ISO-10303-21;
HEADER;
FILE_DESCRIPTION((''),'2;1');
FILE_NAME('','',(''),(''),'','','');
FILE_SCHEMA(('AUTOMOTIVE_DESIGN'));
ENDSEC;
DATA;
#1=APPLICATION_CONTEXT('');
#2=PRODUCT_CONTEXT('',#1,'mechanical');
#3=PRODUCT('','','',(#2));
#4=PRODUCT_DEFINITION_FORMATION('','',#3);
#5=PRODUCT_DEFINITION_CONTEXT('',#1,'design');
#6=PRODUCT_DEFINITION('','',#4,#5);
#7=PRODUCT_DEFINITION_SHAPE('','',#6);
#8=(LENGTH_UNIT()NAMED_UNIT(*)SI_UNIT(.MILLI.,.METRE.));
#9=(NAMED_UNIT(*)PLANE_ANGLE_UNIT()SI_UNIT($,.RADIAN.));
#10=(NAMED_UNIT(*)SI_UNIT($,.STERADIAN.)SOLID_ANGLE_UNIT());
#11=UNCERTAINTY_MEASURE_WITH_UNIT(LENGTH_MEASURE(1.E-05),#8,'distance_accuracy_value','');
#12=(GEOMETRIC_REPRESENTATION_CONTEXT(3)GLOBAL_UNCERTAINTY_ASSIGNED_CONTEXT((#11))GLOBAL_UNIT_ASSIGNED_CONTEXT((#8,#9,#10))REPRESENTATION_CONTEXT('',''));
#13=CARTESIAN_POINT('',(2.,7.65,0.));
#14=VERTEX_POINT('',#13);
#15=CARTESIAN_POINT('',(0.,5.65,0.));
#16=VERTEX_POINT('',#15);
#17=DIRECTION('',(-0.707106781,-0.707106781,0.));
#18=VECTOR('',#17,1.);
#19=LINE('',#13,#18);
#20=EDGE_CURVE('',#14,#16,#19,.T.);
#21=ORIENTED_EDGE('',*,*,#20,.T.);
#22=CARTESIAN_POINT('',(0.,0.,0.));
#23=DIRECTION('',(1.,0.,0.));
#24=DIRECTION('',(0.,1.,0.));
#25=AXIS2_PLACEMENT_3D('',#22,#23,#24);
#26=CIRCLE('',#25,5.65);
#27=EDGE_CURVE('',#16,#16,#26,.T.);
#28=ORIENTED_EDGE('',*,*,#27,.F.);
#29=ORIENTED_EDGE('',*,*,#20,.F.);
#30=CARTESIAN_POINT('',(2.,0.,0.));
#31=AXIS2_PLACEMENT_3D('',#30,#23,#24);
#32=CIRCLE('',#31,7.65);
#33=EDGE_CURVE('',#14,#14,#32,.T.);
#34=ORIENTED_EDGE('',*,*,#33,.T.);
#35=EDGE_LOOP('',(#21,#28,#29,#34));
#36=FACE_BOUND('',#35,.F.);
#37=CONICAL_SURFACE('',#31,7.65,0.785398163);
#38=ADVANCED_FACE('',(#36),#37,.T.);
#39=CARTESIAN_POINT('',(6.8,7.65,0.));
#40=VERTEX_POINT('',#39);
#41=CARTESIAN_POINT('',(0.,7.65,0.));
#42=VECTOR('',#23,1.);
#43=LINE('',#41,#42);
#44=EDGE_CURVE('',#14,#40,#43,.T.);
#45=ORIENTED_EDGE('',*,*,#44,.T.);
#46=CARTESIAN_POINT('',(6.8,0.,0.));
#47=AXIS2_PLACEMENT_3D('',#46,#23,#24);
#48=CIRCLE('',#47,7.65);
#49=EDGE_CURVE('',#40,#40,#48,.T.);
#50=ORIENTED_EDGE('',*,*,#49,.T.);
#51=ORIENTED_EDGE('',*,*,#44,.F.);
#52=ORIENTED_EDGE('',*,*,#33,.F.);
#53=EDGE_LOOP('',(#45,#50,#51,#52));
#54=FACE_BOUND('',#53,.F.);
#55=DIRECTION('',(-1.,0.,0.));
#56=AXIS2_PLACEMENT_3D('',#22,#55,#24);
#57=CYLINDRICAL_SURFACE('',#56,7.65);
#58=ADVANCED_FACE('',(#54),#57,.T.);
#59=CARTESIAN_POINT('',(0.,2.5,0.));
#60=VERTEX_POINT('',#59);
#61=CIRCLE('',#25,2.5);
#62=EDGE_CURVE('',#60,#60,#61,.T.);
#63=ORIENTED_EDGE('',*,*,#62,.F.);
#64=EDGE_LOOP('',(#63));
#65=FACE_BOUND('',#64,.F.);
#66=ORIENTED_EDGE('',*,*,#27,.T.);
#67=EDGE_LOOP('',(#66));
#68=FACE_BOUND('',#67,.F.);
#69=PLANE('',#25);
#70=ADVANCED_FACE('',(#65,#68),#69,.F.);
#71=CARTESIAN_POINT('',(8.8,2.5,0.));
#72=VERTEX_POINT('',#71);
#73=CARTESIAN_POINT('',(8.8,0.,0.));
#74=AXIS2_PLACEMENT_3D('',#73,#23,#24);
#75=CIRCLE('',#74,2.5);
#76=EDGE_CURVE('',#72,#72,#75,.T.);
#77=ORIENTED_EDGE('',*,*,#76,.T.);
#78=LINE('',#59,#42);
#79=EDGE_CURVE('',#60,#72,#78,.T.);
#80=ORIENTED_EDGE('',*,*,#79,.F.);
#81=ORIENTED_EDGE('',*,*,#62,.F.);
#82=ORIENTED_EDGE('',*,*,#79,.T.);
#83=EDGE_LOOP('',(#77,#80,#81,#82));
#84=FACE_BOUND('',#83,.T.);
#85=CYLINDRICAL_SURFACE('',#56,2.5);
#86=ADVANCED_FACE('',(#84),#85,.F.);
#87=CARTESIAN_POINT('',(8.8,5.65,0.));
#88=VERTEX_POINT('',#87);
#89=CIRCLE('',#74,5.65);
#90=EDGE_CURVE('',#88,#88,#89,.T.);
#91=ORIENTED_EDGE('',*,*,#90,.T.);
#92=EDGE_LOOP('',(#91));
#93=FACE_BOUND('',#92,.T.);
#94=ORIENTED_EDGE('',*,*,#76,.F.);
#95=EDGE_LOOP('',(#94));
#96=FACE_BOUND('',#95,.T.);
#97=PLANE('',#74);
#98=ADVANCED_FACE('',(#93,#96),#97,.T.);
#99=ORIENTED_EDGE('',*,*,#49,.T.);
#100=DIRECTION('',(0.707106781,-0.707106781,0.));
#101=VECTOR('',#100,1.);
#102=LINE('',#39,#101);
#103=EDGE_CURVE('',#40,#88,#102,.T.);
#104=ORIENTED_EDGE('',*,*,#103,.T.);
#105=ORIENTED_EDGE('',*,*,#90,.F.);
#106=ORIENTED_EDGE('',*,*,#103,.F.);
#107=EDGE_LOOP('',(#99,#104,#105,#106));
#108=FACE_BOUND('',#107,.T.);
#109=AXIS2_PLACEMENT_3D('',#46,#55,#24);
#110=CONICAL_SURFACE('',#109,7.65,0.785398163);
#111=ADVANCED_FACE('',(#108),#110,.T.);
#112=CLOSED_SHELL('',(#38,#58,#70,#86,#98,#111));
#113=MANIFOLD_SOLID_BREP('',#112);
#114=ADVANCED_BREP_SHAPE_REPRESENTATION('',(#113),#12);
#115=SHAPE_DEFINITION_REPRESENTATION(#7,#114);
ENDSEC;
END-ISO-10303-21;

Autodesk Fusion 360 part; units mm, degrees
sketch "草图1" plane through (0, 0, 0) normal (1, 0, 0) x (0, 1, 0)
  circle A0 centre (0, 0) radius 7.65
  circle A1 centre (0, 0) radius 2.5
  dimension "d1" = 15.3
  dimension "d2" = 5
extrude "拉伸1" add sketch "草图1" along normal blind 8.8
chamfer "倒角1" distance 2 angle 45 2 edges at (0, -7.1323, -2.7664) (8.8, -7.1323, -2.7664)
